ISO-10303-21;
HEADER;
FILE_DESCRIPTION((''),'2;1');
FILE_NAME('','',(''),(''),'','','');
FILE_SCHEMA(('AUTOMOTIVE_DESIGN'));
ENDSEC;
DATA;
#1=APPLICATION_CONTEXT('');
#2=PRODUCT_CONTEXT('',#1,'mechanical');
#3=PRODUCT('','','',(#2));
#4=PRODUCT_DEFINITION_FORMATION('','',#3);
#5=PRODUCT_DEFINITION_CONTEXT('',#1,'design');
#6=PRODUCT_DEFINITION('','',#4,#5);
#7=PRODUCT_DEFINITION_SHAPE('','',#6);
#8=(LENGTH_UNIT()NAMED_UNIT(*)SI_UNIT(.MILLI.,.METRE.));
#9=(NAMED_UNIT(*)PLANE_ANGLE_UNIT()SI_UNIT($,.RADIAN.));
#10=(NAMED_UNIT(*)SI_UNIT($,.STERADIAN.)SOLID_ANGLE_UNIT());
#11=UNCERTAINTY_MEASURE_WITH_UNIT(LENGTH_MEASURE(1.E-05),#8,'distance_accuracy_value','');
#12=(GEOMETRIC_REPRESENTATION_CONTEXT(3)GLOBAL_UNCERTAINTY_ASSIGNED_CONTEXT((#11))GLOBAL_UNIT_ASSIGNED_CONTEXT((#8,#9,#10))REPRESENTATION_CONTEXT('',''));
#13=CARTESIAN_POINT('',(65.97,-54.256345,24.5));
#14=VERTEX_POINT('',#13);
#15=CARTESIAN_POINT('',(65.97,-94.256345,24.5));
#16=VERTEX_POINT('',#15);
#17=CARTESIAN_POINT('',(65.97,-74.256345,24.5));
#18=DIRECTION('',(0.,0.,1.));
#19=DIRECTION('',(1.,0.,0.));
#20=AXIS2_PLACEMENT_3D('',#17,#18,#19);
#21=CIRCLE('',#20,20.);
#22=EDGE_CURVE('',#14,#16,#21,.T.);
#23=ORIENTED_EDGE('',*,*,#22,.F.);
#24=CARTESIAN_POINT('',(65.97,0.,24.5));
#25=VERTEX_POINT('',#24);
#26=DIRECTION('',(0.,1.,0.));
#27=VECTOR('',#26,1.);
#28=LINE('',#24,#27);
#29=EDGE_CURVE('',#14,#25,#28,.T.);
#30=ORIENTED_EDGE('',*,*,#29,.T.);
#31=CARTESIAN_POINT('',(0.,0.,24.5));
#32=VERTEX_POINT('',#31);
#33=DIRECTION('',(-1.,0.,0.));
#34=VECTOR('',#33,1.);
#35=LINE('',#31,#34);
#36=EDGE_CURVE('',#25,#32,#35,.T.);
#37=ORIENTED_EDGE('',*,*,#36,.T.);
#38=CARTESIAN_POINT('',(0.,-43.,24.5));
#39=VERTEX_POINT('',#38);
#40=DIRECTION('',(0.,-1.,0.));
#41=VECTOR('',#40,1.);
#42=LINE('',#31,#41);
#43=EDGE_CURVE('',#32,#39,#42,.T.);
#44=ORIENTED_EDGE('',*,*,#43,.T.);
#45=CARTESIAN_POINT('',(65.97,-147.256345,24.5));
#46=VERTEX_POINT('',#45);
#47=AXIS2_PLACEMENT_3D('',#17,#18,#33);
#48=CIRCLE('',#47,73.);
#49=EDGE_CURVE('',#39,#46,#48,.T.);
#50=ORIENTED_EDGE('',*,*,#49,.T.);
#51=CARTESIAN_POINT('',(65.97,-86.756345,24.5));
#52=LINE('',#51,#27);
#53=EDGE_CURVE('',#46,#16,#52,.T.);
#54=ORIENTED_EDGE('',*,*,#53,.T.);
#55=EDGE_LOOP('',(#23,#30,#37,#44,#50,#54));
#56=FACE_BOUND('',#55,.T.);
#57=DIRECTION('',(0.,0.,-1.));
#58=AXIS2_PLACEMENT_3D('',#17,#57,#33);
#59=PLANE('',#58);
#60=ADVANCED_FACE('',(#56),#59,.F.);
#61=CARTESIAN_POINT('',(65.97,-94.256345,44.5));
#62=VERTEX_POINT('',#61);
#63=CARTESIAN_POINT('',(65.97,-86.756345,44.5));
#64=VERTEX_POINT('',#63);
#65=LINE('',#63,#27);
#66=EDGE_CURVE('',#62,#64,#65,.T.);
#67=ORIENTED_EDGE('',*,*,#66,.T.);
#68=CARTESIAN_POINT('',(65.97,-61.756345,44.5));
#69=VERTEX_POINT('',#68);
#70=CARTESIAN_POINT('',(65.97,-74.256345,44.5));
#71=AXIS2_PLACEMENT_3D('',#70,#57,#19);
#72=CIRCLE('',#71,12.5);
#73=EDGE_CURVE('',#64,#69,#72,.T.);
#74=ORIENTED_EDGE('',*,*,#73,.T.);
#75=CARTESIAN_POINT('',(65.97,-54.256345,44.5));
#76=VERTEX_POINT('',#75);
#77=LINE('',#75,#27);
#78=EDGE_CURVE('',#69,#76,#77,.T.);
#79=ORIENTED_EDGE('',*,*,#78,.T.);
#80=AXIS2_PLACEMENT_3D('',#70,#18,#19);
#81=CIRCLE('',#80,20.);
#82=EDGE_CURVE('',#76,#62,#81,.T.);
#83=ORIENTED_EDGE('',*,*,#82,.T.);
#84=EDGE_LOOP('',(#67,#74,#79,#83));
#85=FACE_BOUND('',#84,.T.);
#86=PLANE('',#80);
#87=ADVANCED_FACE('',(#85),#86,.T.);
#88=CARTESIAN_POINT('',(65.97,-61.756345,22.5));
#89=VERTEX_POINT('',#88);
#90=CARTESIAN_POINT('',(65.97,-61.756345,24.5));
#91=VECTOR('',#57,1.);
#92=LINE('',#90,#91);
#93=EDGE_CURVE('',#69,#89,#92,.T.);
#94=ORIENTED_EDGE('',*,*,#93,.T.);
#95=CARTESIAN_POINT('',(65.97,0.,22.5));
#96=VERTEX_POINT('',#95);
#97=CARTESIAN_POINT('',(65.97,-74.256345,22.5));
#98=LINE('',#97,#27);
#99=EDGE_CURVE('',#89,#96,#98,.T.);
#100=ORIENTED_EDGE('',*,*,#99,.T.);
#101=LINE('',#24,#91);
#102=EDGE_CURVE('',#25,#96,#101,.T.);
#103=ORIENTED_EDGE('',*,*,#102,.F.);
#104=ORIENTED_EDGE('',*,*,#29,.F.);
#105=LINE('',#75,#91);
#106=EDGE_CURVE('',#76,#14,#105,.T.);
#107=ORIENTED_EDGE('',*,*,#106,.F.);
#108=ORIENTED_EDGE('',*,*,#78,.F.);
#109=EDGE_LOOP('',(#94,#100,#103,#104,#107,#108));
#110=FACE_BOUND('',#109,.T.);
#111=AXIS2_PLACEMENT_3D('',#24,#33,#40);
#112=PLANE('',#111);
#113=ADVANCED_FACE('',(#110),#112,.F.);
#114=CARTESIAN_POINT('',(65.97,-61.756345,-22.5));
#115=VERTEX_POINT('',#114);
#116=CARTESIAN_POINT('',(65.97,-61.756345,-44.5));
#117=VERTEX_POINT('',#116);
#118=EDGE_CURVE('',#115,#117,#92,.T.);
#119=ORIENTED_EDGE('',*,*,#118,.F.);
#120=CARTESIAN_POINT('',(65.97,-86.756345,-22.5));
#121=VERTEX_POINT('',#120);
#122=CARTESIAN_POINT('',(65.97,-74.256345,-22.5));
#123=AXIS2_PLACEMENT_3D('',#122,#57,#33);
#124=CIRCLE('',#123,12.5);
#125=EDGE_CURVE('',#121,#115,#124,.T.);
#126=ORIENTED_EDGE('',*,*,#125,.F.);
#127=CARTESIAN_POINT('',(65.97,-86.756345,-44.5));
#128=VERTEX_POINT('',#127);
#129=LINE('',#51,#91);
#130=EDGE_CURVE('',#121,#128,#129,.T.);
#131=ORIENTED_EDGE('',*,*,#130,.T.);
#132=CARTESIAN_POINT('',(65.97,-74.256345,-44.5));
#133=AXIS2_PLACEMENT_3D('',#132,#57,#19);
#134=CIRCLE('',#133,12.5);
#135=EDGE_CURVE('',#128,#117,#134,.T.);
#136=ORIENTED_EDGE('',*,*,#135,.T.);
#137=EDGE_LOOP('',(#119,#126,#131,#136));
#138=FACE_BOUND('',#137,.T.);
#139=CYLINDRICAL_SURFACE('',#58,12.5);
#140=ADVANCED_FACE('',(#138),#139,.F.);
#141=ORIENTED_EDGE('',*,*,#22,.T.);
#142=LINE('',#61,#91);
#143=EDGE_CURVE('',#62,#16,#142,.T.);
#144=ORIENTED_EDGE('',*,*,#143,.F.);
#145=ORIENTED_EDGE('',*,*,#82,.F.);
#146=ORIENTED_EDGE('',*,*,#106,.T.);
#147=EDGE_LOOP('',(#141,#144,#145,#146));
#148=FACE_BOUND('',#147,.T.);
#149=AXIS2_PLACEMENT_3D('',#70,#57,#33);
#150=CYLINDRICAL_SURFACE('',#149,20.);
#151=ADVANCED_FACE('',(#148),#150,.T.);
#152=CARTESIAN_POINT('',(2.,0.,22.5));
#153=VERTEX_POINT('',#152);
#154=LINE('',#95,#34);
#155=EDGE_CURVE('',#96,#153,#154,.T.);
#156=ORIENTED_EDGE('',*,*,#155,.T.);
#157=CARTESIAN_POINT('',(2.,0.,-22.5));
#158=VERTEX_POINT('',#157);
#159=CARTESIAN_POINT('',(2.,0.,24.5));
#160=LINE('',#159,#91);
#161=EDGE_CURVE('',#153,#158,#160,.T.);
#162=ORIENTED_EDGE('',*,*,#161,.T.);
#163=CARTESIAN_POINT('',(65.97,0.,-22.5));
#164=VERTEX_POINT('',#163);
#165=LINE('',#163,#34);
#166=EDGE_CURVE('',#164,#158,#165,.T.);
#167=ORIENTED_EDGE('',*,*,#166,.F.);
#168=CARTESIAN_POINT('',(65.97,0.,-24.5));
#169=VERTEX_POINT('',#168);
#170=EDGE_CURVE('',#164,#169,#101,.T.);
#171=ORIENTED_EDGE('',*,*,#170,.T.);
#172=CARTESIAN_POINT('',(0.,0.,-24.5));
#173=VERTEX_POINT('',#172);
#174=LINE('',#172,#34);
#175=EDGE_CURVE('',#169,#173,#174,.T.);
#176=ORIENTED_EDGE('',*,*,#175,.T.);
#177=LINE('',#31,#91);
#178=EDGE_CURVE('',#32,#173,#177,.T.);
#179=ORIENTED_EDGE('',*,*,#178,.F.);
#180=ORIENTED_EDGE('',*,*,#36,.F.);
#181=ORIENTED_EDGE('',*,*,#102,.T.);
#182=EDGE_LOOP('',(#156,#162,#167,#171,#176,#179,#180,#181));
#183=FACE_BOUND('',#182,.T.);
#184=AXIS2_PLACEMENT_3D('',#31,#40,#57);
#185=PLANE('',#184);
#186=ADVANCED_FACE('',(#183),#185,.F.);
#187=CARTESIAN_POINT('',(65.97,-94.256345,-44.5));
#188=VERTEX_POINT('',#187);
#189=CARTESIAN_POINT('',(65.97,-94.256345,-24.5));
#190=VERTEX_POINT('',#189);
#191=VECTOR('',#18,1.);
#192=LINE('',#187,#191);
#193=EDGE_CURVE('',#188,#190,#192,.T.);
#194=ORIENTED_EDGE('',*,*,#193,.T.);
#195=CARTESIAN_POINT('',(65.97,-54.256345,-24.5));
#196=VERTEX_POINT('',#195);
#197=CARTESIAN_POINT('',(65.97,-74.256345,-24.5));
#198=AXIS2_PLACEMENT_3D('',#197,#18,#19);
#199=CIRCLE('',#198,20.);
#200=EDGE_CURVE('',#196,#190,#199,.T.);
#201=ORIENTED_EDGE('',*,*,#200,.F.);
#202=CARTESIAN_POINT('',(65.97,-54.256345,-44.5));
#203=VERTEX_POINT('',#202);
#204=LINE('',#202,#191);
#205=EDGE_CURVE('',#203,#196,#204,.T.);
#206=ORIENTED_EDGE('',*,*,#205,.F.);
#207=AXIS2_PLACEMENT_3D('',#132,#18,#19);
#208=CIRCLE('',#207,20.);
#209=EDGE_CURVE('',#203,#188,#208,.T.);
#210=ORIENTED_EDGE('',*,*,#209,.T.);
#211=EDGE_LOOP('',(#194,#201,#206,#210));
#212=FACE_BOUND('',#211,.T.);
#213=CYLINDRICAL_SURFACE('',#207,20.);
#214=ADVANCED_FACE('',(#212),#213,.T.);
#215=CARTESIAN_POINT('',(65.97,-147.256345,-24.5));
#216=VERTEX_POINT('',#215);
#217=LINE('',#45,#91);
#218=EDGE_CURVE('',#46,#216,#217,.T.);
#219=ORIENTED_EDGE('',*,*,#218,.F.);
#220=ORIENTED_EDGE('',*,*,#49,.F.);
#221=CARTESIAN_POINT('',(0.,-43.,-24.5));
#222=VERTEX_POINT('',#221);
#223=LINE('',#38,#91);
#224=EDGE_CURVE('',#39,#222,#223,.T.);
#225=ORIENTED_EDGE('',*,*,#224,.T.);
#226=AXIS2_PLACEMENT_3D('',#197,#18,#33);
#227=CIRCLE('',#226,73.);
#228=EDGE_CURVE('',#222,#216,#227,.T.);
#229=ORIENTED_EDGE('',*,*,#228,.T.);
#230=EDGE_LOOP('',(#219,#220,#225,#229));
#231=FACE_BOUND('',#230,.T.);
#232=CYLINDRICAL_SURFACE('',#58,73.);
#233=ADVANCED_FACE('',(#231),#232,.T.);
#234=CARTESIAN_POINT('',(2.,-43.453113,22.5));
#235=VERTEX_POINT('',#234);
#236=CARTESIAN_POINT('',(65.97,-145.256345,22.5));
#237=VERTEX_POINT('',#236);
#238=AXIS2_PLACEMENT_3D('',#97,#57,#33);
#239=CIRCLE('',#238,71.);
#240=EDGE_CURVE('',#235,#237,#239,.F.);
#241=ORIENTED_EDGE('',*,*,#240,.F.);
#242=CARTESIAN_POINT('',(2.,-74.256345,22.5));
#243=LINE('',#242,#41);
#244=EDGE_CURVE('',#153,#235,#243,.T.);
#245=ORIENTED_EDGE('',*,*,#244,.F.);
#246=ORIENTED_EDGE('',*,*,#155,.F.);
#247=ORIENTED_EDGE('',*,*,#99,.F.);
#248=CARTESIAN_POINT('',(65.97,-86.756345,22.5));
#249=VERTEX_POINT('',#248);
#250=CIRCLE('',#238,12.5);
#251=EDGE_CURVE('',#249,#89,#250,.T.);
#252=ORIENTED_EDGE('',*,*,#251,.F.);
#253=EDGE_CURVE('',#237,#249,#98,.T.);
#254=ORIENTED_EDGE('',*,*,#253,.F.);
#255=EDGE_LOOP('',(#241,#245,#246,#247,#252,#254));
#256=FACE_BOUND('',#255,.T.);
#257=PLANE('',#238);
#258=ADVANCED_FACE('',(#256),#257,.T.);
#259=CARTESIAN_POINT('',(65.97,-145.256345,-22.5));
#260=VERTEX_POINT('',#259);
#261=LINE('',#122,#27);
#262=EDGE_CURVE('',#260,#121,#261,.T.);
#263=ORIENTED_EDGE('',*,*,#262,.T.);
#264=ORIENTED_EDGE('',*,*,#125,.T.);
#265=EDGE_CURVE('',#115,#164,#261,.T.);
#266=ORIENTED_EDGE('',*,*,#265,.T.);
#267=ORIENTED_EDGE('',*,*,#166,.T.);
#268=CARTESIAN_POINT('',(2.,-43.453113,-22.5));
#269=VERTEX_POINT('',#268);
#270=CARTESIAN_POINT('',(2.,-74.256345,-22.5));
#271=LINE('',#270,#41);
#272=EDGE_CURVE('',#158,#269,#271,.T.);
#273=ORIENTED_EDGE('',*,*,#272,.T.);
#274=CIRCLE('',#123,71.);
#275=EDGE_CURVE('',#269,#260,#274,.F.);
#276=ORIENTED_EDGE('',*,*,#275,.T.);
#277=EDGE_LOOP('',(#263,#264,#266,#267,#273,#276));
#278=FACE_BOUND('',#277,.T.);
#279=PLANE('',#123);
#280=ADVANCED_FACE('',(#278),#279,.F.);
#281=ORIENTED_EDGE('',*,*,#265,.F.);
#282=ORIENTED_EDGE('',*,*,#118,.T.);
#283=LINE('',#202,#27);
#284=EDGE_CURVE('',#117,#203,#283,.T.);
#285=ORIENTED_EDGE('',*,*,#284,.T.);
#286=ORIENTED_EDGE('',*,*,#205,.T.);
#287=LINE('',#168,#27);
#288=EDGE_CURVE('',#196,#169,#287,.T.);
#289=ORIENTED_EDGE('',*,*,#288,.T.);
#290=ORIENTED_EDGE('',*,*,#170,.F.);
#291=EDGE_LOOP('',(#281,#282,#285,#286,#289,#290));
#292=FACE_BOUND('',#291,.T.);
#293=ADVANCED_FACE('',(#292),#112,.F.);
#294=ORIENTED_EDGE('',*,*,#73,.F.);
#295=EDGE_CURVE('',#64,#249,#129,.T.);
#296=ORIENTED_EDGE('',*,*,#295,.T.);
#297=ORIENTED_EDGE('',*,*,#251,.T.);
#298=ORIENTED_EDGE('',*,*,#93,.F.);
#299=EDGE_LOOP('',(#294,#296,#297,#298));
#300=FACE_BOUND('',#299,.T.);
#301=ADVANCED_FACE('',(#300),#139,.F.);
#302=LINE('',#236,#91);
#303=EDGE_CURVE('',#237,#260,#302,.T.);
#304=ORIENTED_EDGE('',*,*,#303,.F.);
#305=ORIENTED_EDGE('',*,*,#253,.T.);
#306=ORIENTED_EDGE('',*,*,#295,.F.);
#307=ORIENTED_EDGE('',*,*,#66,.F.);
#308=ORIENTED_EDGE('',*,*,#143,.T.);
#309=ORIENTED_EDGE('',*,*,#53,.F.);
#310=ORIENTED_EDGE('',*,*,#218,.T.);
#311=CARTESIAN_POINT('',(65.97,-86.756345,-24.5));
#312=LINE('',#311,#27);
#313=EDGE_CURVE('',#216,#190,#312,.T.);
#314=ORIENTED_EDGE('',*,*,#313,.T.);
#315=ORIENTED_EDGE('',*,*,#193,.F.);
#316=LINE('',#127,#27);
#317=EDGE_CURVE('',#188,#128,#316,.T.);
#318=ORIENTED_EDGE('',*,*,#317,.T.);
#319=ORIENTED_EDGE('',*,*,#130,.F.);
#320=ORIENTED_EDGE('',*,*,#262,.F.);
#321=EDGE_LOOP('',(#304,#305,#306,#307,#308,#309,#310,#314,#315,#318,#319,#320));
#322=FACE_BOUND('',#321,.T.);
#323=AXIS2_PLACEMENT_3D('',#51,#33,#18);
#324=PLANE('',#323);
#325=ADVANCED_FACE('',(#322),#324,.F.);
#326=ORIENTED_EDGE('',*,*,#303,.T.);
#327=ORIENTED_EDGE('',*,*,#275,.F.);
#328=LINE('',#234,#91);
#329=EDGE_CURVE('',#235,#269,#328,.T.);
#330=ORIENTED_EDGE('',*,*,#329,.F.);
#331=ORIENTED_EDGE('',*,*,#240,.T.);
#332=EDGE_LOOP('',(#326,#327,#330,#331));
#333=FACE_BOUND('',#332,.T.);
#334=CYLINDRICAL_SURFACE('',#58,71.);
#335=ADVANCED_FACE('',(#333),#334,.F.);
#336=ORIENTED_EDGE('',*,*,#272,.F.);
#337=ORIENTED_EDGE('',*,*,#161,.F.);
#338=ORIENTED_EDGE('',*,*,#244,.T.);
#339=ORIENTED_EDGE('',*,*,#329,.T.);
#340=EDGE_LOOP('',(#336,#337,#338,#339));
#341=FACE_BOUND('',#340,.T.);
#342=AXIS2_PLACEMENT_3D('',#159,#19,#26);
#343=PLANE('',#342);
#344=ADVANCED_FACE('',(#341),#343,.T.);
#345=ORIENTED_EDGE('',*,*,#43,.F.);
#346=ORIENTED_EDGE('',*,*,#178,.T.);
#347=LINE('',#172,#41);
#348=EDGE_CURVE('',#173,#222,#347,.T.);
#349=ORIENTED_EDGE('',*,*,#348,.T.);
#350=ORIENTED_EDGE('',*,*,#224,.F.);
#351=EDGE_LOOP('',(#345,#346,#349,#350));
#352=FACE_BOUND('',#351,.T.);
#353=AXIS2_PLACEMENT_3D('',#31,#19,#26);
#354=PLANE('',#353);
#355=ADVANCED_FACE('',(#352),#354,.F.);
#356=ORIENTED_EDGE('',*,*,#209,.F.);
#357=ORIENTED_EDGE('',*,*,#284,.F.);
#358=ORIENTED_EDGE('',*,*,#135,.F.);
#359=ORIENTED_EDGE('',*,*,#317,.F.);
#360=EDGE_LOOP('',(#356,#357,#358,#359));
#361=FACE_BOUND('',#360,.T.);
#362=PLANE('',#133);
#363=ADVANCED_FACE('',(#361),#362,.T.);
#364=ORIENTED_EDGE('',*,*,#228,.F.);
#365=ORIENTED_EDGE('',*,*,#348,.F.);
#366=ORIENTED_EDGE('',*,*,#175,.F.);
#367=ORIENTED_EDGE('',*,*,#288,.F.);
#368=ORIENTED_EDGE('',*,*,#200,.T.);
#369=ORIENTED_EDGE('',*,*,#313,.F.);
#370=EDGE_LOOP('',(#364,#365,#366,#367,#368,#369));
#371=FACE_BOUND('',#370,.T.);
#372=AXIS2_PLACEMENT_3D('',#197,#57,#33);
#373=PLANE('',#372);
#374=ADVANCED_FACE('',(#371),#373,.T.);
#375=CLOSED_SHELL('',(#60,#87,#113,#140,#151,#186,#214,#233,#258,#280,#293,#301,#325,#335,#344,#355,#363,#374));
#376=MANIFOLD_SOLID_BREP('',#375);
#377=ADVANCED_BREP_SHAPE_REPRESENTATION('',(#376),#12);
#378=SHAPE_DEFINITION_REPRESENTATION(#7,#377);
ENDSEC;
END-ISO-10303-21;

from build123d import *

# Parameters (mm, degrees)
BOSS_EXTRUDE1_DEPTH = 24.5
SHELL1_T            = -2
BOSS_EXTRUDE2_DEPTH = 20


with BuildPart() as part:
    # Sketch1 → Boss-Extrude1 (new body, symmetric)
    with BuildSketch(Plane.XY):
        with BuildLine():
            Line((0, 0), (65.97, 0))
            Line((65.97, 0), (65.97, -61.756344956))
            ThreePointArc((65.97, -61.756344956), (53.47, -74.256344956), (65.97, -86.756344956))
            Line((65.97, -86.756344956), (65.97, -147.256344956))
            ThreePointArc((65.97, -147.256344956), (4.282427581, -113.290220104), (0, -43))
            Line((0, -43), (0, 0))
        make_face()
    extrude(amount=BOSS_EXTRUDE1_DEPTH, both=True)

    # Shell1
    shell1_openings = [part.faces().sort_by_distance(p)[0] for p in [
        (32.985, 0, 0),
        (65.97, -30.878172478, 0),
        (59.72, -74.256344956, 0),
        (65.97, -117.006344956, 0),
    ]]
    offset(amount=SHELL1_T, openings=shell1_openings, kind=Kind.INTERSECTION)

    # Sketch2 → Boss-Extrude2 (add)
    with BuildSketch(Plane.XY.offset(24.5)):
        with BuildLine():
            Line((65.97, -54.256344956), (65.97, -61.756344956))
            ThreePointArc((65.97, -61.756344956), (53.47, -74.256344956), (65.97, -86.756344956))
            Line((65.97, -86.756344956), (65.97, -94.256344956))
            ThreePointArc((65.97, -94.256344956), (45.97, -74.256344956), (65.97, -54.256344956))
        make_face()
    boss_extrude2 = extrude(amount=BOSS_EXTRUDE2_DEPTH)

    # Mirror1: Boss-Extrude2 across plane
    add(boss_extrude2.mirror(Plane.XY))


solid = part.part
